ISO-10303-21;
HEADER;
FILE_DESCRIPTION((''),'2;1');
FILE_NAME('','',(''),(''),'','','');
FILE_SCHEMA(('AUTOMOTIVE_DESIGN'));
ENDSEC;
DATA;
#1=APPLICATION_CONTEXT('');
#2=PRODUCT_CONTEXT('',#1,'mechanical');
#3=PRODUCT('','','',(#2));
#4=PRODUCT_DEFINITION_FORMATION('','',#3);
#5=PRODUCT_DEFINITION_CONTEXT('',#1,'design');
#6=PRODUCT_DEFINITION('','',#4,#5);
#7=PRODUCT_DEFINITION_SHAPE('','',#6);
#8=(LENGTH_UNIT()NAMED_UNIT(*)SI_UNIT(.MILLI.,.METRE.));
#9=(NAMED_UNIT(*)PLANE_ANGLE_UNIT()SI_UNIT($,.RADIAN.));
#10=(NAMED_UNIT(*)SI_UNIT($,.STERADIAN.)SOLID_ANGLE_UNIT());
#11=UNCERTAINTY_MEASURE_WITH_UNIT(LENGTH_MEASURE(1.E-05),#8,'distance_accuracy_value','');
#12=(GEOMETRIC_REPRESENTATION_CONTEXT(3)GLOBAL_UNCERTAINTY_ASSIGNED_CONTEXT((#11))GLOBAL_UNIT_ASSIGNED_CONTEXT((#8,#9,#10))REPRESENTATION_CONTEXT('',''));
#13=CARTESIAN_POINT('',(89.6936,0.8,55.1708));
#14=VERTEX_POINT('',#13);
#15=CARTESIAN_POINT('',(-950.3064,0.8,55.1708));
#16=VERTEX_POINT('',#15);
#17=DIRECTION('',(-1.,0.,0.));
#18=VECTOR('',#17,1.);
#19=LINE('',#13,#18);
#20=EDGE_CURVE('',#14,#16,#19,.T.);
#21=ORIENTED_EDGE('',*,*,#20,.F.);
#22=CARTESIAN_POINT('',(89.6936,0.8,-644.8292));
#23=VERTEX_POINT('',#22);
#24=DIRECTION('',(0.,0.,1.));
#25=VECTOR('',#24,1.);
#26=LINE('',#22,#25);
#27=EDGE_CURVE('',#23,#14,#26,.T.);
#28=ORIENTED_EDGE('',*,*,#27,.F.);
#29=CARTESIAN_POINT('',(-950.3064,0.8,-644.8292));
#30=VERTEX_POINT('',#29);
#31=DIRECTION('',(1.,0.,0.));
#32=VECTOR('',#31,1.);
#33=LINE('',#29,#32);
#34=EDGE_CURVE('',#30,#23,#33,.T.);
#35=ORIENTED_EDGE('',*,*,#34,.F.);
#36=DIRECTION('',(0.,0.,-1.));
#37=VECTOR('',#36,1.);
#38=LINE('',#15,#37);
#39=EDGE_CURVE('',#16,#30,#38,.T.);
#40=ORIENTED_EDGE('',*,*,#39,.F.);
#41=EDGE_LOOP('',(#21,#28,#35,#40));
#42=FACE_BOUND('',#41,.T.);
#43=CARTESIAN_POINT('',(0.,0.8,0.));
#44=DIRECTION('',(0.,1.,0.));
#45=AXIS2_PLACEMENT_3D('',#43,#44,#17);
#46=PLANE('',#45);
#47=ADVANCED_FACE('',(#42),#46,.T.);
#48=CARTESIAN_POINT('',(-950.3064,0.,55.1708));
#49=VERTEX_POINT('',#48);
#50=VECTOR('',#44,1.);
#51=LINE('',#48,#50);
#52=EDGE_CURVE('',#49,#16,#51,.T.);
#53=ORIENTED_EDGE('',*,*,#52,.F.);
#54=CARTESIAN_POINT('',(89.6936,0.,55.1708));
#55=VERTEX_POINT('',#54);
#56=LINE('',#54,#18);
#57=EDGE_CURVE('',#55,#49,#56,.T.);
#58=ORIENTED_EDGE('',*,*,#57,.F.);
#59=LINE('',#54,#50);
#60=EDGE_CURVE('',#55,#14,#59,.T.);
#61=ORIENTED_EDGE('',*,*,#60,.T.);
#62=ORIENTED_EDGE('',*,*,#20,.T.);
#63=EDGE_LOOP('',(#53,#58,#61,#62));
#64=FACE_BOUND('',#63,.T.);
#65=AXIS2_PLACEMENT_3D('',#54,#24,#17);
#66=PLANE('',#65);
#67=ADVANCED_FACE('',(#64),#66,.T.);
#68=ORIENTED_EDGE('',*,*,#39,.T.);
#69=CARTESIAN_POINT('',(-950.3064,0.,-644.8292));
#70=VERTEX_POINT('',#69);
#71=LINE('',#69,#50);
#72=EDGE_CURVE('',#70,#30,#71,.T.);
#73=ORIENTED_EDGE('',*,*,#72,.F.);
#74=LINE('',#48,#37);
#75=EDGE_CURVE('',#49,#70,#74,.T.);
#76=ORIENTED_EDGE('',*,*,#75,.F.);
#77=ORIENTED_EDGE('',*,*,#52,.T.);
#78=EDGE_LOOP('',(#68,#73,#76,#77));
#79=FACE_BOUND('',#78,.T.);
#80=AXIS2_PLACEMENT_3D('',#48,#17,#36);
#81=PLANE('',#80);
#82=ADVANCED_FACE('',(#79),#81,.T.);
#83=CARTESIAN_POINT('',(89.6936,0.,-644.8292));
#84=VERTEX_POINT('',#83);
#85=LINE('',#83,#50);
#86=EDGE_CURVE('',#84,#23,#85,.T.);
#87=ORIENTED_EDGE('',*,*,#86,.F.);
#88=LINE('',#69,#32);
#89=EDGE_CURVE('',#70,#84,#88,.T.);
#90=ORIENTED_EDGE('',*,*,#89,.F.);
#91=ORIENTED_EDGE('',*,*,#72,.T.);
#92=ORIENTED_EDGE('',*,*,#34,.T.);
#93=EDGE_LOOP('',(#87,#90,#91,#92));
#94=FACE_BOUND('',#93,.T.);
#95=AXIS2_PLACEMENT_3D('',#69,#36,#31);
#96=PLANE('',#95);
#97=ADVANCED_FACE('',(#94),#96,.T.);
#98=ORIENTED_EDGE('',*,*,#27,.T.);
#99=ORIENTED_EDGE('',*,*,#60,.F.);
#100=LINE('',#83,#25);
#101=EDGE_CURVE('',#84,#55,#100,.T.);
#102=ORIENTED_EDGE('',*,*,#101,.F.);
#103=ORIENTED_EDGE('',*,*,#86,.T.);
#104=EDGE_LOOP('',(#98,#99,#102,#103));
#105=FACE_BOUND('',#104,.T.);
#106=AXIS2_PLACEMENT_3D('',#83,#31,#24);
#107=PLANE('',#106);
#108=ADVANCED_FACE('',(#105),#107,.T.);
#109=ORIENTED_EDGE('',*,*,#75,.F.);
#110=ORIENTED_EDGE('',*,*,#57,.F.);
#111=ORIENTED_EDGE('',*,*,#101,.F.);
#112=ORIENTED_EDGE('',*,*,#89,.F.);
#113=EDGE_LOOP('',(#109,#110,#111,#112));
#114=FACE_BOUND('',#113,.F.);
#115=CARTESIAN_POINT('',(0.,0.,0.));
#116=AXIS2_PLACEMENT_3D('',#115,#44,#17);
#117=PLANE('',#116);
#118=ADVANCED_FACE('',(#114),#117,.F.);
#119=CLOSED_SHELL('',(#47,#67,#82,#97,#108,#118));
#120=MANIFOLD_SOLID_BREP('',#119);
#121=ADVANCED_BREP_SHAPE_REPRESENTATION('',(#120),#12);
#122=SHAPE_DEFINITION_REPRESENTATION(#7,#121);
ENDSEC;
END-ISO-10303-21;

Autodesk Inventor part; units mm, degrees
ref_plane "YZ Plane" through (0, 0, 0) normal (1, 0, 0) x (0, 1, 0)
ref_plane "XZ Plane" through (0, 0, 0) normal (0, 1, 0) x (-1, 0, 0)
ref_plane "XY Plane" through (0, 0, 0) normal (0, 0, 1) x (1, 0, 0)
sketch "Sketch1" plane through (0, 0, 0) normal (0, 1, 0) x (-1, 0, 0)
  line L0 (-89.6936, 55.1708) -> (950.3064, 55.1708)
  line L1 (950.3064, 55.1708) -> (950.3064, -644.8292)
  line L2 (950.3064, -644.8292) -> (-89.6936, -644.8292)
  line L3 (-89.6936, -644.8292) -> (-89.6936, 55.1708)
  point P0 (0, 0)
  dimension "d0" = 1040
  dimension "d1" = 700
extrude "Extrusion1" add sketch "Sketch1" along normal blind 0.8
properties part number "Side104x700"
